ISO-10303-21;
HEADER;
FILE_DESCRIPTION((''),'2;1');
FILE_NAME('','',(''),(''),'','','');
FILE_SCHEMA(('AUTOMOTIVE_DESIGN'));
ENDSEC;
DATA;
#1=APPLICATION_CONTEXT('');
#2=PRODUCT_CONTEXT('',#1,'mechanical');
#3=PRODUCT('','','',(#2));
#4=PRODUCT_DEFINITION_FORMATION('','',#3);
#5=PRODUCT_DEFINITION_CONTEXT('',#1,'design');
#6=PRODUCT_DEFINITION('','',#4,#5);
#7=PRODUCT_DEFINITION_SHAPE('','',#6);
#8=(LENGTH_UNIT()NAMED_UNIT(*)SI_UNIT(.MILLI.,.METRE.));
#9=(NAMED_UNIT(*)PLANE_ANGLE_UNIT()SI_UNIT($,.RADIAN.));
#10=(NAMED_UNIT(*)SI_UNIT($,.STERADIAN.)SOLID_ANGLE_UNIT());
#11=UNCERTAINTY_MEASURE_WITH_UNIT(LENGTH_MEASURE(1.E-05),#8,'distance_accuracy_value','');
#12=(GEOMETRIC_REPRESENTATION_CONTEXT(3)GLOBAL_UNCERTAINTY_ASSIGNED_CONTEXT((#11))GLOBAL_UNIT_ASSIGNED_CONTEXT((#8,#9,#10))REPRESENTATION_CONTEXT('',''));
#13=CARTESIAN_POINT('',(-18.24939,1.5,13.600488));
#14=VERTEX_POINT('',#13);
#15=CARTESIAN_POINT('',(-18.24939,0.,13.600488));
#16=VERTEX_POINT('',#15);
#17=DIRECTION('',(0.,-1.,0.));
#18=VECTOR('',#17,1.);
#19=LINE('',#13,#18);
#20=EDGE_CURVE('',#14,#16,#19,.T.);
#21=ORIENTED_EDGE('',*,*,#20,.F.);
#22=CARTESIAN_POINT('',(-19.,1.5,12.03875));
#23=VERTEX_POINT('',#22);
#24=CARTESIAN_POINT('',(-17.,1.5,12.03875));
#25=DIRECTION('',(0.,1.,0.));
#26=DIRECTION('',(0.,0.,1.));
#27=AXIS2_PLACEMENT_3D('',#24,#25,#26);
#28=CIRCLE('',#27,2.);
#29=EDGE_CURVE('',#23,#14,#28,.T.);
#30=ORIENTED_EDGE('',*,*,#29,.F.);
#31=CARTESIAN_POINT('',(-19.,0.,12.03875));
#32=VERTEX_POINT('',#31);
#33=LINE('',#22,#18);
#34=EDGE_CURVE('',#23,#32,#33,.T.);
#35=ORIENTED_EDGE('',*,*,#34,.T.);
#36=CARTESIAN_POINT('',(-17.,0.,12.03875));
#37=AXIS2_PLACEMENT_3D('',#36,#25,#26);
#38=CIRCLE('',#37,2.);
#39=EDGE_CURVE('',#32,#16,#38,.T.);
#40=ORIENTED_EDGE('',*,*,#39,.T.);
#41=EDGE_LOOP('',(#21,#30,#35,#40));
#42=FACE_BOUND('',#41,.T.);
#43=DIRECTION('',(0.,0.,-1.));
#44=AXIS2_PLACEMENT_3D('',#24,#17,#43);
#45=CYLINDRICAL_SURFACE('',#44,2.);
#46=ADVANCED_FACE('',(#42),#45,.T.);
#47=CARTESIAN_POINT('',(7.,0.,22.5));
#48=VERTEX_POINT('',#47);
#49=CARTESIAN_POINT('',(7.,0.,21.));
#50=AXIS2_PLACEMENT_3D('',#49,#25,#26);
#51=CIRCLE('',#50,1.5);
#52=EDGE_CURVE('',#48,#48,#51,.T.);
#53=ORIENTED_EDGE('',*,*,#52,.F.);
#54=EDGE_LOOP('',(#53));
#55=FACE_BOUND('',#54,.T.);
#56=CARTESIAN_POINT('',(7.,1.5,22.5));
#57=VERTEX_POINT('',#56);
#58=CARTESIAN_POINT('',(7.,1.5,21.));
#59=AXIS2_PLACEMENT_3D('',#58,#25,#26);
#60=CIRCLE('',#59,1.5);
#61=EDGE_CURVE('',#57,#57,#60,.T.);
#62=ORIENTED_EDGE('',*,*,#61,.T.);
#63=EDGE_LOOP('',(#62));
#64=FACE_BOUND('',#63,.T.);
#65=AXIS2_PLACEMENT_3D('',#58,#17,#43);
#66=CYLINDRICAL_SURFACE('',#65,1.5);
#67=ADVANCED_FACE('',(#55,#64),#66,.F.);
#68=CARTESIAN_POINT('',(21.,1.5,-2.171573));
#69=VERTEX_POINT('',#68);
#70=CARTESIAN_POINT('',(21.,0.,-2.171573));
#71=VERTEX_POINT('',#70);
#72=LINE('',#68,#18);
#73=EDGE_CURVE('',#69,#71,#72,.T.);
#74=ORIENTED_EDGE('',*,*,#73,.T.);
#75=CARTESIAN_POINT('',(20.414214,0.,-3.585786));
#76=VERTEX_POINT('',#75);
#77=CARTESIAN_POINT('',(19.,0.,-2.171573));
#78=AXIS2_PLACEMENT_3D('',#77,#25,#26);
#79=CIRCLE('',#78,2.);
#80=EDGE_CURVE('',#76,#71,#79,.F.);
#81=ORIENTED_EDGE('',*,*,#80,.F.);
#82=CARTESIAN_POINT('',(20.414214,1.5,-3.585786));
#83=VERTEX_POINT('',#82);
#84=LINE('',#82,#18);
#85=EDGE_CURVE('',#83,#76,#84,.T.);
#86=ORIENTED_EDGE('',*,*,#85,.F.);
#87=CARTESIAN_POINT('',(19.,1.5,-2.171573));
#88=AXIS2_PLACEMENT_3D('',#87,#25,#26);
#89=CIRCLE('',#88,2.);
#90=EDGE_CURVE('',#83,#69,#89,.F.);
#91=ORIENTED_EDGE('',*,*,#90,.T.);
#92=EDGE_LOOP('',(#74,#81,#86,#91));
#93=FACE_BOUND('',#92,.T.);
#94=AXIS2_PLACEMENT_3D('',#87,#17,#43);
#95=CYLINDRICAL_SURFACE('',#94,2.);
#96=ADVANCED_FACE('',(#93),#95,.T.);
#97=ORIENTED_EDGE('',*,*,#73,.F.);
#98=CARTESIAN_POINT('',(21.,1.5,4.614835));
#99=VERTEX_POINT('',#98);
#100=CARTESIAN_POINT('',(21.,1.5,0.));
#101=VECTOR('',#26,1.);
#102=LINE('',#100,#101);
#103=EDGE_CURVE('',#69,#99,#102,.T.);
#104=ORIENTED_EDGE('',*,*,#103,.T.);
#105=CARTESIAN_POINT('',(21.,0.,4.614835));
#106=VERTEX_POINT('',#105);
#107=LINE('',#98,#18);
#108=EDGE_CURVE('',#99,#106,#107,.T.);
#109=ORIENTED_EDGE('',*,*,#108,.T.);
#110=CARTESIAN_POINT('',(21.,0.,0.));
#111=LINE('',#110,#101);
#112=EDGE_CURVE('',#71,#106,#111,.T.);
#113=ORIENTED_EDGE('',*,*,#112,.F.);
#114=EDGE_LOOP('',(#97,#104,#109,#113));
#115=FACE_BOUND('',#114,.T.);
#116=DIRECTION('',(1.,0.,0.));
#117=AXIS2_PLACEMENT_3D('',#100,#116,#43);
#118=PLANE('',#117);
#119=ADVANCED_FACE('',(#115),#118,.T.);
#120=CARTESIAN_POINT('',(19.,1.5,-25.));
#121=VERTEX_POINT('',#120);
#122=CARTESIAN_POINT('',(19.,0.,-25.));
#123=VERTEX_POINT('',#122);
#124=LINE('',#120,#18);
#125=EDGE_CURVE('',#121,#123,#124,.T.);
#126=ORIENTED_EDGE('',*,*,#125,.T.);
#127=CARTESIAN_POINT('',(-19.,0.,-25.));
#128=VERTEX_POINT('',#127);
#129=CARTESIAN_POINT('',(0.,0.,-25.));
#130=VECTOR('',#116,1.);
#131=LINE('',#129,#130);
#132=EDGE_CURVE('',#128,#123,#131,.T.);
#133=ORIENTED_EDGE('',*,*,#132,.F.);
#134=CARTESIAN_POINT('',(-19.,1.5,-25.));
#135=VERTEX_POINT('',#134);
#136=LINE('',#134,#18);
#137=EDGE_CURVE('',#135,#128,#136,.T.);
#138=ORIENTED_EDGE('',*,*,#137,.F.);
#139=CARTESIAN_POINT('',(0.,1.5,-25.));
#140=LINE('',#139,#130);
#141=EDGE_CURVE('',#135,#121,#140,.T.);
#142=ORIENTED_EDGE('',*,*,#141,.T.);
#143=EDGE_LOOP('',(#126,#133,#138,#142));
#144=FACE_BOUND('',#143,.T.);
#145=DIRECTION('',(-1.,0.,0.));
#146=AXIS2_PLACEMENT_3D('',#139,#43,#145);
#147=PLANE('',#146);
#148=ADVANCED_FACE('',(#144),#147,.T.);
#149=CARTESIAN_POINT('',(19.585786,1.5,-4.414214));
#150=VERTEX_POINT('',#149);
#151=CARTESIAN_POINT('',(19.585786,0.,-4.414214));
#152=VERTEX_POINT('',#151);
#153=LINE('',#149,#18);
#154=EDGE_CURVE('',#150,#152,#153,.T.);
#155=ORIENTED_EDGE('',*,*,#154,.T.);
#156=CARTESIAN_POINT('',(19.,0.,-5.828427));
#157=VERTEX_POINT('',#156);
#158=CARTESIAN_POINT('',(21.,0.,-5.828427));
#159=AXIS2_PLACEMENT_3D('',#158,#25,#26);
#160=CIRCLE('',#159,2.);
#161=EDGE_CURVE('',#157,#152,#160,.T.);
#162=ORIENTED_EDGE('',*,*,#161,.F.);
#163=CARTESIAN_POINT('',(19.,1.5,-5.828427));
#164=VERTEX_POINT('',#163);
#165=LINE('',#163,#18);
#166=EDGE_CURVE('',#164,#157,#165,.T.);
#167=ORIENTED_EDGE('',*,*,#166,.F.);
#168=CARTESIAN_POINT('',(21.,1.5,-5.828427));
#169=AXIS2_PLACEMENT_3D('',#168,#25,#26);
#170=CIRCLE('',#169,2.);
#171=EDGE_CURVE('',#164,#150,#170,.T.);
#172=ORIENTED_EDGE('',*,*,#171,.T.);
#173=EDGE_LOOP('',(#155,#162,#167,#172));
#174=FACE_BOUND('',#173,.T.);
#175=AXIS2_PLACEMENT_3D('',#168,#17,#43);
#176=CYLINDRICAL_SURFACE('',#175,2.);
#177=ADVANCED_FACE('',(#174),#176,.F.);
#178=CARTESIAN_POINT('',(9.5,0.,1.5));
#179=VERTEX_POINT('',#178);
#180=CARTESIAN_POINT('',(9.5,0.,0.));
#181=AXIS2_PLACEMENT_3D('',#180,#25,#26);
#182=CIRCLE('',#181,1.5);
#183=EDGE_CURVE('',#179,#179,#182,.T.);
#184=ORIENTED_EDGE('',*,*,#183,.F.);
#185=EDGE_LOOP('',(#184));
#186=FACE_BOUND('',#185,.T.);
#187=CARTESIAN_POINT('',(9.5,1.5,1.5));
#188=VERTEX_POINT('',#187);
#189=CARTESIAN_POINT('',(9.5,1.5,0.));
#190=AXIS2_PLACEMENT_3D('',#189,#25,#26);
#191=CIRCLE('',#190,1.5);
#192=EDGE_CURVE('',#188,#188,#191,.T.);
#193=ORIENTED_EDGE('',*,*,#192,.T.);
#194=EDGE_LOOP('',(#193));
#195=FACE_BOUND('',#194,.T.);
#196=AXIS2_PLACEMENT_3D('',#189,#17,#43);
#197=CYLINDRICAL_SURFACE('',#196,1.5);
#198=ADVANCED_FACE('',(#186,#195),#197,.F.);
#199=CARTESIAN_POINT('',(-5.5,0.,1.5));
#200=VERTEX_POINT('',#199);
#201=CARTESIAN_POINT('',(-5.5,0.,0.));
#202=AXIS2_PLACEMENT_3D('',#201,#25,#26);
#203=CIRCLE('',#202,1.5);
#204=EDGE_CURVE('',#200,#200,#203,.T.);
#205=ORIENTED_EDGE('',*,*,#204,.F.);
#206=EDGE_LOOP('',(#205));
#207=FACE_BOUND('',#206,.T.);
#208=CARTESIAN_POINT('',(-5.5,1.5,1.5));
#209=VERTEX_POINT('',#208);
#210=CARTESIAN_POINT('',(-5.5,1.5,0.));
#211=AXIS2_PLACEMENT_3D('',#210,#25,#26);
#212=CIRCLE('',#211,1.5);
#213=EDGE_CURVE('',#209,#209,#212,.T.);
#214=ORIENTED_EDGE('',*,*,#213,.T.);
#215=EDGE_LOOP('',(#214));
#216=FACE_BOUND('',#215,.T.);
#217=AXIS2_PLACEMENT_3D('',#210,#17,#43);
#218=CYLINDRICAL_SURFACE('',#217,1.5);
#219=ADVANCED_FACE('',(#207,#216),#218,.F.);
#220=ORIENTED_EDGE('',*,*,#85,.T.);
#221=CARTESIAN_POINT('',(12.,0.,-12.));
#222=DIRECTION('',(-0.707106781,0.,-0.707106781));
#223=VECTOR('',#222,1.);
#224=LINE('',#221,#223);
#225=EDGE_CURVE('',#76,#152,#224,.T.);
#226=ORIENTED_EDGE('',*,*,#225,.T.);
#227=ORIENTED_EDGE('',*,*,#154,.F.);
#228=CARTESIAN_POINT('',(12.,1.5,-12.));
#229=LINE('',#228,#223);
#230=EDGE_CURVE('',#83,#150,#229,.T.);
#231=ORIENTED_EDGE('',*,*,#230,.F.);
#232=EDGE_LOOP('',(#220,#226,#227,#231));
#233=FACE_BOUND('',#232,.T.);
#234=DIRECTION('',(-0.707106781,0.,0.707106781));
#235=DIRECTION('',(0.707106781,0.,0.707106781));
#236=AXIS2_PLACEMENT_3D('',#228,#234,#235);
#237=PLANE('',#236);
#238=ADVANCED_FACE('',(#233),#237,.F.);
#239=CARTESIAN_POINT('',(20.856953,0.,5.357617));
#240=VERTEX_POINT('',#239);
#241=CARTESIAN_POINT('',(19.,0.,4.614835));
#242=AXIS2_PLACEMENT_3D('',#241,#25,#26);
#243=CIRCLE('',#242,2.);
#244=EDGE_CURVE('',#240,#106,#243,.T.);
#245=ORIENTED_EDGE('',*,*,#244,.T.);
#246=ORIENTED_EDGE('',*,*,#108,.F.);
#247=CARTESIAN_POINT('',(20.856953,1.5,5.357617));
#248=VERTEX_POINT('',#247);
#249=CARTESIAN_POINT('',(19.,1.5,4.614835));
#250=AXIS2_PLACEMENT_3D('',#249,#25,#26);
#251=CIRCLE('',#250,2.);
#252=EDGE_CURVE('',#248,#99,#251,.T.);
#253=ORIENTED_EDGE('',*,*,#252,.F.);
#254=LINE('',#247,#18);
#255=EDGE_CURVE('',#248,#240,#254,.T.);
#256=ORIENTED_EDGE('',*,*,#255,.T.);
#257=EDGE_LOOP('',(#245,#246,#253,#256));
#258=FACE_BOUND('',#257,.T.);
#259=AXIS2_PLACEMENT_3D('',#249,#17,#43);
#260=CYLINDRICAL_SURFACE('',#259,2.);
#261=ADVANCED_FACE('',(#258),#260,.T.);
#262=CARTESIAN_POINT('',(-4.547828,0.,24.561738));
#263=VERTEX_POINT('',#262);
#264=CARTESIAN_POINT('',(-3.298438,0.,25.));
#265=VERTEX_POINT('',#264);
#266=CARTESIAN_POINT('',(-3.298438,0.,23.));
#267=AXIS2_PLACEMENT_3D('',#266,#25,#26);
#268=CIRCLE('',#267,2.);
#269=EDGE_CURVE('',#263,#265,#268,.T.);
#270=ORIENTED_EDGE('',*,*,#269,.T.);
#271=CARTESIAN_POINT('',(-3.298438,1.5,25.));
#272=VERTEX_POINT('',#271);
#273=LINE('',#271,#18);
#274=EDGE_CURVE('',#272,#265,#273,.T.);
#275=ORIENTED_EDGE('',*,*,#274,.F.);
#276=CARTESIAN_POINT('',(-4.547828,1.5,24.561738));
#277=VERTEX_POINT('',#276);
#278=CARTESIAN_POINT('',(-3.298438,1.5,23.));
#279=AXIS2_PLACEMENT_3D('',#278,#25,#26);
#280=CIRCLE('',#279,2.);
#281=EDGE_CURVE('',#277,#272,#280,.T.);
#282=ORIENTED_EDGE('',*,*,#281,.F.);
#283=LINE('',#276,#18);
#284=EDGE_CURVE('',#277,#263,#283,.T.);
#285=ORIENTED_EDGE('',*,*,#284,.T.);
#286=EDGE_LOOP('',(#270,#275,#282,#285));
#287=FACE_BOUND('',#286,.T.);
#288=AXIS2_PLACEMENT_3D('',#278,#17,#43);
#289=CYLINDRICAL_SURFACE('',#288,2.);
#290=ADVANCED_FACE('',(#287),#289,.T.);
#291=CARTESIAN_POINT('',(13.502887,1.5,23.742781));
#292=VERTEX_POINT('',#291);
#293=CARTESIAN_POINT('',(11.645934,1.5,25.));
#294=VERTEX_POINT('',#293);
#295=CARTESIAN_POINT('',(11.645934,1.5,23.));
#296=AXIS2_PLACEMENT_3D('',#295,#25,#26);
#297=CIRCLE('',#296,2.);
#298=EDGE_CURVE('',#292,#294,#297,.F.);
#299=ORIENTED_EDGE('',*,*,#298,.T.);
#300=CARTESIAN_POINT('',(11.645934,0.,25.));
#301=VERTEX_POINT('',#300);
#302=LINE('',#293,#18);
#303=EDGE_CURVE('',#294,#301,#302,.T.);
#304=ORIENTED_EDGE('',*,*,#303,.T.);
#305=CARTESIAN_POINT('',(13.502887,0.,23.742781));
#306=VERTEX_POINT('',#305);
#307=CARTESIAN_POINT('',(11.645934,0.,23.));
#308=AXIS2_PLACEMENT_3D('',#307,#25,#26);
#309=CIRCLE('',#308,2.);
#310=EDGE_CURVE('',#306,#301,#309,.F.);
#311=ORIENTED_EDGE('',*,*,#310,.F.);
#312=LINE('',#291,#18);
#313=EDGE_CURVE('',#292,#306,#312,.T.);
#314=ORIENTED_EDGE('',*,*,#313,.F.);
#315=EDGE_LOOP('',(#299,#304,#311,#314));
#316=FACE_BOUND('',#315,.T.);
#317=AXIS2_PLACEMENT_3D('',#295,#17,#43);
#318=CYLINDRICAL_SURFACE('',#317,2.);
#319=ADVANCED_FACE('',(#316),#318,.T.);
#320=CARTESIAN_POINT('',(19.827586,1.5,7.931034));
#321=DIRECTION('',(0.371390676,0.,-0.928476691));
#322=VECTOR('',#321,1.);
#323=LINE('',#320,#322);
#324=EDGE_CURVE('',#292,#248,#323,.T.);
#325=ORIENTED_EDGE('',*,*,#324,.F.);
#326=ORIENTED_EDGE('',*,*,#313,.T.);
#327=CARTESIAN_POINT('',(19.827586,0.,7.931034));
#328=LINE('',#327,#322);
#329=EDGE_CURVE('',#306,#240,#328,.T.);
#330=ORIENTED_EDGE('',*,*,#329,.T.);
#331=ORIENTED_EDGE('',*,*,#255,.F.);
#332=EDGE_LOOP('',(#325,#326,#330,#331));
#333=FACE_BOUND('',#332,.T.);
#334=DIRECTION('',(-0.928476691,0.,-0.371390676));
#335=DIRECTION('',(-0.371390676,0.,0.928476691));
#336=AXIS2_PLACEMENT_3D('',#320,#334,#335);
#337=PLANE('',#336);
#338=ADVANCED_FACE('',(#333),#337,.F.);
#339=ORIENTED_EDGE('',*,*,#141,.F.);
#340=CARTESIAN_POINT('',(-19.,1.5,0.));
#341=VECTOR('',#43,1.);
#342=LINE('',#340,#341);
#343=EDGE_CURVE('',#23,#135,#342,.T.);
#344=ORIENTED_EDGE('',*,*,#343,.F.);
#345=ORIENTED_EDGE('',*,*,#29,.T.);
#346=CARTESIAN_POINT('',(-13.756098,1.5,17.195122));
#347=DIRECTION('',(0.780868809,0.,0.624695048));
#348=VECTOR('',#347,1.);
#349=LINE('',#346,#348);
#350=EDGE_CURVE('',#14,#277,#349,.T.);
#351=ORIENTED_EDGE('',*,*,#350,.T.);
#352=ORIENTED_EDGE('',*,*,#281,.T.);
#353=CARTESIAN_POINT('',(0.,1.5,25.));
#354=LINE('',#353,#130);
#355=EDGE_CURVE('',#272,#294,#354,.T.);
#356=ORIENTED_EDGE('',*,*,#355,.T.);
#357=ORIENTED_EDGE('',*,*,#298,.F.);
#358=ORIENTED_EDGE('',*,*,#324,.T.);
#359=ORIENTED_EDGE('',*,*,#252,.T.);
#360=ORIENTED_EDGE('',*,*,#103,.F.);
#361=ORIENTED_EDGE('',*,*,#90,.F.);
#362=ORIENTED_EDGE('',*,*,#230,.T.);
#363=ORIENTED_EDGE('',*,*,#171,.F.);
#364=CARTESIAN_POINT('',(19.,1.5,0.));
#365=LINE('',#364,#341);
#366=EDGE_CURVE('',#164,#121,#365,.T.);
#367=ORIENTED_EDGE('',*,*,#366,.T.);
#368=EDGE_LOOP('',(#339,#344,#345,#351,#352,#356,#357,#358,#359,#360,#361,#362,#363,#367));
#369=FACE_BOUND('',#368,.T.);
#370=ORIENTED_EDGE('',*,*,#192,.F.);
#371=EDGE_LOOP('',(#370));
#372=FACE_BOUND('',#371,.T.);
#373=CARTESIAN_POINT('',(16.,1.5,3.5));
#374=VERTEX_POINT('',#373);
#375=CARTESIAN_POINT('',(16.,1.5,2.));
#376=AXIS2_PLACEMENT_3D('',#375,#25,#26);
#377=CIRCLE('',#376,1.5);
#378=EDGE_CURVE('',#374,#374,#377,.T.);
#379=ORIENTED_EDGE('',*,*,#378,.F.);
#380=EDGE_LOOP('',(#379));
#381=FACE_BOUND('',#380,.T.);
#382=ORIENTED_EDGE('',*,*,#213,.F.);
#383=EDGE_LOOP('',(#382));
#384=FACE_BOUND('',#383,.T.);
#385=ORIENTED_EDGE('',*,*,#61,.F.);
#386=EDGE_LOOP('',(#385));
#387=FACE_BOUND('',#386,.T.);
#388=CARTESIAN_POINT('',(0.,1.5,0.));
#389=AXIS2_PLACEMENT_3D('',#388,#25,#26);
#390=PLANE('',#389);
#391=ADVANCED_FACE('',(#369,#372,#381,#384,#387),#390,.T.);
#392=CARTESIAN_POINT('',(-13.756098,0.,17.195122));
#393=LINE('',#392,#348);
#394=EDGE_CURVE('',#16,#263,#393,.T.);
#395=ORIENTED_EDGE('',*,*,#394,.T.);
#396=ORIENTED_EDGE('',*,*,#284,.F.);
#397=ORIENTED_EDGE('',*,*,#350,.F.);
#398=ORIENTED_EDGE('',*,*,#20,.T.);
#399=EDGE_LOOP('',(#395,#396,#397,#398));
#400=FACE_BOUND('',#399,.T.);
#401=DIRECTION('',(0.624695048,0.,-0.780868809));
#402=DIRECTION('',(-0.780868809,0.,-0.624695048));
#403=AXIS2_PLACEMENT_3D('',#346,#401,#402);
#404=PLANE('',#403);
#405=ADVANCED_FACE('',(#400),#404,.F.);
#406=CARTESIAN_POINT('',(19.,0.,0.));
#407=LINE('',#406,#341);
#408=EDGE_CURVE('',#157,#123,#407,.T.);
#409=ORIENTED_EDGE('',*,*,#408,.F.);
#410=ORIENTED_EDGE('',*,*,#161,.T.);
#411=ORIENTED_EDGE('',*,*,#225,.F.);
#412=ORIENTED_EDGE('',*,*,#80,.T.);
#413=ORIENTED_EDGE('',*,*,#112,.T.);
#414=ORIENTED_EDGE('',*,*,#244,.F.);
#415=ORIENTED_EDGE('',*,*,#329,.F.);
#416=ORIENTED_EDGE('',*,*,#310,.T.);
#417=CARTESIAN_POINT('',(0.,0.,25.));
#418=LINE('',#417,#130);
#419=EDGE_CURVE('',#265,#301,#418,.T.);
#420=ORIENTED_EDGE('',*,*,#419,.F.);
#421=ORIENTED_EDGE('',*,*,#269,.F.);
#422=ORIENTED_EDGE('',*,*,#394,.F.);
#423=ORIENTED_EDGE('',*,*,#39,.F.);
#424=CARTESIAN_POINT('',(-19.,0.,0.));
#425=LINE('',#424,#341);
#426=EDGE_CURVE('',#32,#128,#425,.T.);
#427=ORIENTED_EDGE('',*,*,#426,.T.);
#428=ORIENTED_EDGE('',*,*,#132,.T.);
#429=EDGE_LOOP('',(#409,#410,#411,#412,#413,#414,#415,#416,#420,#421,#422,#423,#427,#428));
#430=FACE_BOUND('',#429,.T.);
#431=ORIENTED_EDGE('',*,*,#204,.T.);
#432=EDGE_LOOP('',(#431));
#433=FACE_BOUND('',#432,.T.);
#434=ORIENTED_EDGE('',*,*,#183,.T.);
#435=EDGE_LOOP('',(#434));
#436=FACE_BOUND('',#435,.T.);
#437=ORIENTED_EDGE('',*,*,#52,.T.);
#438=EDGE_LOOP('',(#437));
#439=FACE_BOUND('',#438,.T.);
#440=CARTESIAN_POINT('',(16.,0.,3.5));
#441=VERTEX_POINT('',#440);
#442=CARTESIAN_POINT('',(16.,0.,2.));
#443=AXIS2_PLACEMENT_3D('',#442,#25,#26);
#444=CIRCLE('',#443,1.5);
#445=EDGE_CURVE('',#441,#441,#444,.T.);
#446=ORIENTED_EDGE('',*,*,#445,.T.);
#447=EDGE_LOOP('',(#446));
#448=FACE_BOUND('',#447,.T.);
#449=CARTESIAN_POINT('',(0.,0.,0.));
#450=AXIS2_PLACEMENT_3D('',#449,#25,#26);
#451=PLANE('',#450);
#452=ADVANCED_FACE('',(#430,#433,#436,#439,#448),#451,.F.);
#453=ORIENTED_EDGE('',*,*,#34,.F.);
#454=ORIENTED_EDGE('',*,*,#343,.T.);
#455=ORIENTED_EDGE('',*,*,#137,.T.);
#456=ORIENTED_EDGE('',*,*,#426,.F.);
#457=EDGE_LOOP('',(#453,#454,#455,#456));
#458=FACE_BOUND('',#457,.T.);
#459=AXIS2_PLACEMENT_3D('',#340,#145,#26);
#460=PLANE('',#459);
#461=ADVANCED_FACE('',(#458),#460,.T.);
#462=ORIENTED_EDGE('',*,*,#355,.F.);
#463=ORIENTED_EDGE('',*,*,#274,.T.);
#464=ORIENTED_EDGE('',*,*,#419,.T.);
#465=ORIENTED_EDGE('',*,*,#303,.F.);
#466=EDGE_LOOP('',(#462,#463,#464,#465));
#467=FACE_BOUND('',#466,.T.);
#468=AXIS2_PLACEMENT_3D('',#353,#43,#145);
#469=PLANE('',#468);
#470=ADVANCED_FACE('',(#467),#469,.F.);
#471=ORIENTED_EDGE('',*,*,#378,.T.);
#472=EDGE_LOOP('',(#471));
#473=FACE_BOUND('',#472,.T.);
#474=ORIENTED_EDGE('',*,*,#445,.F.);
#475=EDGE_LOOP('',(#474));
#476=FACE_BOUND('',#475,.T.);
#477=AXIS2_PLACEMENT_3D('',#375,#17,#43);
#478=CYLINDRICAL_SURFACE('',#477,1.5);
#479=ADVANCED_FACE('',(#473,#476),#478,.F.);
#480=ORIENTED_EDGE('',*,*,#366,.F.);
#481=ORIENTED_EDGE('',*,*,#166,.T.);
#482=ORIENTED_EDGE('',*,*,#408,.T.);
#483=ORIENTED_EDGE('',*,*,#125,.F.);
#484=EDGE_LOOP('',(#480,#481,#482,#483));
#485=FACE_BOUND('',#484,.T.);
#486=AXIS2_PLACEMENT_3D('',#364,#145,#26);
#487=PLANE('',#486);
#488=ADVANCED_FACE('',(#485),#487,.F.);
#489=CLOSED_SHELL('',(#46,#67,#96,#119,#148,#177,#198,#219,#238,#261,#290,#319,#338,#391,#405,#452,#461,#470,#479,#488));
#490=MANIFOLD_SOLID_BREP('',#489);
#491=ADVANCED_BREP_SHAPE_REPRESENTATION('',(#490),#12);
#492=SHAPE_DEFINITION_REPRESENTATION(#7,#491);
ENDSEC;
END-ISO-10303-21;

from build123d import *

# Parameters (mm, degrees)
ESBO_O1_R                = 1.5
RESSALTO_EXTRUS_O1_DEPTH = 1.5


with BuildPart() as part:
    # Esboço1 → Ressalto-extrusão1 (new body)
    with BuildSketch(Plane(origin=(0, 0, 0), x_dir=(1, 0, 0), z_dir=(0, 1, 0))):
        with BuildLine():
            Line((-19, 25), (-19, -12.038750305))
            ThreePointArc((-19, -12.038750305), (-18.802606473, -12.905127766), (-18.249390095, -13.600487924))
            Line((-18.249390095, -13.600487924), (-4.547827976, -24.561737619))
            ThreePointArc((-4.547827976, -24.561737619), (-3.960451764, -24.887256638), (-3.298437881, -25))
            Line((-3.298437881, -25), (4.712, -25))
            Line((4.712, -25), (11.645934077, -25))
            ThreePointArc((11.645934077, -25), (12.767191696, -24.656134461), (13.502887459, -23.742781353))
            Line((13.502887459, -23.742781353), (20.856953382, -5.357616546))
            ThreePointArc((20.856953382, -5.357616546), (20.963912773, -4.993050235), (21, -4.614835193))
            Line((21, -4.614835193), (21, 2.171572875))
            ThreePointArc((21, 2.171572875), (20.847759065, 2.93693974), (20.414213562, 3.585786438))
            Line((20.414213562, 3.585786438), (19.585786438, 4.414213562))
            ThreePointArc((19.585786438, 4.414213562), (19.152240935, 5.06306026), (19, 5.828427125))
            Line((19, 5.828427125), (19, 25))
            Line((19, 25), (-19, 25))
        make_face()
        with Locations(Location((7, -21, 0), (0, 0, 270))):
            Circle(ESBO_O1_R, mode=Mode.SUBTRACT)
        with Locations(Location((9.5, 0, 0), (0, 0, 270))):
            Circle(ESBO_O1_R, mode=Mode.SUBTRACT)
        with Locations(Location((16, -2, 0), (0, 0, 270))):
            Circle(ESBO_O1_R, mode=Mode.SUBTRACT)
        with Locations(Location((-5.5, 0, 0), (0, 0, 270))):
            Circle(ESBO_O1_R, mode=Mode.SUBTRACT)
    extrude(amount=RESSALTO_EXTRUS_O1_DEPTH)


solid = part.part
